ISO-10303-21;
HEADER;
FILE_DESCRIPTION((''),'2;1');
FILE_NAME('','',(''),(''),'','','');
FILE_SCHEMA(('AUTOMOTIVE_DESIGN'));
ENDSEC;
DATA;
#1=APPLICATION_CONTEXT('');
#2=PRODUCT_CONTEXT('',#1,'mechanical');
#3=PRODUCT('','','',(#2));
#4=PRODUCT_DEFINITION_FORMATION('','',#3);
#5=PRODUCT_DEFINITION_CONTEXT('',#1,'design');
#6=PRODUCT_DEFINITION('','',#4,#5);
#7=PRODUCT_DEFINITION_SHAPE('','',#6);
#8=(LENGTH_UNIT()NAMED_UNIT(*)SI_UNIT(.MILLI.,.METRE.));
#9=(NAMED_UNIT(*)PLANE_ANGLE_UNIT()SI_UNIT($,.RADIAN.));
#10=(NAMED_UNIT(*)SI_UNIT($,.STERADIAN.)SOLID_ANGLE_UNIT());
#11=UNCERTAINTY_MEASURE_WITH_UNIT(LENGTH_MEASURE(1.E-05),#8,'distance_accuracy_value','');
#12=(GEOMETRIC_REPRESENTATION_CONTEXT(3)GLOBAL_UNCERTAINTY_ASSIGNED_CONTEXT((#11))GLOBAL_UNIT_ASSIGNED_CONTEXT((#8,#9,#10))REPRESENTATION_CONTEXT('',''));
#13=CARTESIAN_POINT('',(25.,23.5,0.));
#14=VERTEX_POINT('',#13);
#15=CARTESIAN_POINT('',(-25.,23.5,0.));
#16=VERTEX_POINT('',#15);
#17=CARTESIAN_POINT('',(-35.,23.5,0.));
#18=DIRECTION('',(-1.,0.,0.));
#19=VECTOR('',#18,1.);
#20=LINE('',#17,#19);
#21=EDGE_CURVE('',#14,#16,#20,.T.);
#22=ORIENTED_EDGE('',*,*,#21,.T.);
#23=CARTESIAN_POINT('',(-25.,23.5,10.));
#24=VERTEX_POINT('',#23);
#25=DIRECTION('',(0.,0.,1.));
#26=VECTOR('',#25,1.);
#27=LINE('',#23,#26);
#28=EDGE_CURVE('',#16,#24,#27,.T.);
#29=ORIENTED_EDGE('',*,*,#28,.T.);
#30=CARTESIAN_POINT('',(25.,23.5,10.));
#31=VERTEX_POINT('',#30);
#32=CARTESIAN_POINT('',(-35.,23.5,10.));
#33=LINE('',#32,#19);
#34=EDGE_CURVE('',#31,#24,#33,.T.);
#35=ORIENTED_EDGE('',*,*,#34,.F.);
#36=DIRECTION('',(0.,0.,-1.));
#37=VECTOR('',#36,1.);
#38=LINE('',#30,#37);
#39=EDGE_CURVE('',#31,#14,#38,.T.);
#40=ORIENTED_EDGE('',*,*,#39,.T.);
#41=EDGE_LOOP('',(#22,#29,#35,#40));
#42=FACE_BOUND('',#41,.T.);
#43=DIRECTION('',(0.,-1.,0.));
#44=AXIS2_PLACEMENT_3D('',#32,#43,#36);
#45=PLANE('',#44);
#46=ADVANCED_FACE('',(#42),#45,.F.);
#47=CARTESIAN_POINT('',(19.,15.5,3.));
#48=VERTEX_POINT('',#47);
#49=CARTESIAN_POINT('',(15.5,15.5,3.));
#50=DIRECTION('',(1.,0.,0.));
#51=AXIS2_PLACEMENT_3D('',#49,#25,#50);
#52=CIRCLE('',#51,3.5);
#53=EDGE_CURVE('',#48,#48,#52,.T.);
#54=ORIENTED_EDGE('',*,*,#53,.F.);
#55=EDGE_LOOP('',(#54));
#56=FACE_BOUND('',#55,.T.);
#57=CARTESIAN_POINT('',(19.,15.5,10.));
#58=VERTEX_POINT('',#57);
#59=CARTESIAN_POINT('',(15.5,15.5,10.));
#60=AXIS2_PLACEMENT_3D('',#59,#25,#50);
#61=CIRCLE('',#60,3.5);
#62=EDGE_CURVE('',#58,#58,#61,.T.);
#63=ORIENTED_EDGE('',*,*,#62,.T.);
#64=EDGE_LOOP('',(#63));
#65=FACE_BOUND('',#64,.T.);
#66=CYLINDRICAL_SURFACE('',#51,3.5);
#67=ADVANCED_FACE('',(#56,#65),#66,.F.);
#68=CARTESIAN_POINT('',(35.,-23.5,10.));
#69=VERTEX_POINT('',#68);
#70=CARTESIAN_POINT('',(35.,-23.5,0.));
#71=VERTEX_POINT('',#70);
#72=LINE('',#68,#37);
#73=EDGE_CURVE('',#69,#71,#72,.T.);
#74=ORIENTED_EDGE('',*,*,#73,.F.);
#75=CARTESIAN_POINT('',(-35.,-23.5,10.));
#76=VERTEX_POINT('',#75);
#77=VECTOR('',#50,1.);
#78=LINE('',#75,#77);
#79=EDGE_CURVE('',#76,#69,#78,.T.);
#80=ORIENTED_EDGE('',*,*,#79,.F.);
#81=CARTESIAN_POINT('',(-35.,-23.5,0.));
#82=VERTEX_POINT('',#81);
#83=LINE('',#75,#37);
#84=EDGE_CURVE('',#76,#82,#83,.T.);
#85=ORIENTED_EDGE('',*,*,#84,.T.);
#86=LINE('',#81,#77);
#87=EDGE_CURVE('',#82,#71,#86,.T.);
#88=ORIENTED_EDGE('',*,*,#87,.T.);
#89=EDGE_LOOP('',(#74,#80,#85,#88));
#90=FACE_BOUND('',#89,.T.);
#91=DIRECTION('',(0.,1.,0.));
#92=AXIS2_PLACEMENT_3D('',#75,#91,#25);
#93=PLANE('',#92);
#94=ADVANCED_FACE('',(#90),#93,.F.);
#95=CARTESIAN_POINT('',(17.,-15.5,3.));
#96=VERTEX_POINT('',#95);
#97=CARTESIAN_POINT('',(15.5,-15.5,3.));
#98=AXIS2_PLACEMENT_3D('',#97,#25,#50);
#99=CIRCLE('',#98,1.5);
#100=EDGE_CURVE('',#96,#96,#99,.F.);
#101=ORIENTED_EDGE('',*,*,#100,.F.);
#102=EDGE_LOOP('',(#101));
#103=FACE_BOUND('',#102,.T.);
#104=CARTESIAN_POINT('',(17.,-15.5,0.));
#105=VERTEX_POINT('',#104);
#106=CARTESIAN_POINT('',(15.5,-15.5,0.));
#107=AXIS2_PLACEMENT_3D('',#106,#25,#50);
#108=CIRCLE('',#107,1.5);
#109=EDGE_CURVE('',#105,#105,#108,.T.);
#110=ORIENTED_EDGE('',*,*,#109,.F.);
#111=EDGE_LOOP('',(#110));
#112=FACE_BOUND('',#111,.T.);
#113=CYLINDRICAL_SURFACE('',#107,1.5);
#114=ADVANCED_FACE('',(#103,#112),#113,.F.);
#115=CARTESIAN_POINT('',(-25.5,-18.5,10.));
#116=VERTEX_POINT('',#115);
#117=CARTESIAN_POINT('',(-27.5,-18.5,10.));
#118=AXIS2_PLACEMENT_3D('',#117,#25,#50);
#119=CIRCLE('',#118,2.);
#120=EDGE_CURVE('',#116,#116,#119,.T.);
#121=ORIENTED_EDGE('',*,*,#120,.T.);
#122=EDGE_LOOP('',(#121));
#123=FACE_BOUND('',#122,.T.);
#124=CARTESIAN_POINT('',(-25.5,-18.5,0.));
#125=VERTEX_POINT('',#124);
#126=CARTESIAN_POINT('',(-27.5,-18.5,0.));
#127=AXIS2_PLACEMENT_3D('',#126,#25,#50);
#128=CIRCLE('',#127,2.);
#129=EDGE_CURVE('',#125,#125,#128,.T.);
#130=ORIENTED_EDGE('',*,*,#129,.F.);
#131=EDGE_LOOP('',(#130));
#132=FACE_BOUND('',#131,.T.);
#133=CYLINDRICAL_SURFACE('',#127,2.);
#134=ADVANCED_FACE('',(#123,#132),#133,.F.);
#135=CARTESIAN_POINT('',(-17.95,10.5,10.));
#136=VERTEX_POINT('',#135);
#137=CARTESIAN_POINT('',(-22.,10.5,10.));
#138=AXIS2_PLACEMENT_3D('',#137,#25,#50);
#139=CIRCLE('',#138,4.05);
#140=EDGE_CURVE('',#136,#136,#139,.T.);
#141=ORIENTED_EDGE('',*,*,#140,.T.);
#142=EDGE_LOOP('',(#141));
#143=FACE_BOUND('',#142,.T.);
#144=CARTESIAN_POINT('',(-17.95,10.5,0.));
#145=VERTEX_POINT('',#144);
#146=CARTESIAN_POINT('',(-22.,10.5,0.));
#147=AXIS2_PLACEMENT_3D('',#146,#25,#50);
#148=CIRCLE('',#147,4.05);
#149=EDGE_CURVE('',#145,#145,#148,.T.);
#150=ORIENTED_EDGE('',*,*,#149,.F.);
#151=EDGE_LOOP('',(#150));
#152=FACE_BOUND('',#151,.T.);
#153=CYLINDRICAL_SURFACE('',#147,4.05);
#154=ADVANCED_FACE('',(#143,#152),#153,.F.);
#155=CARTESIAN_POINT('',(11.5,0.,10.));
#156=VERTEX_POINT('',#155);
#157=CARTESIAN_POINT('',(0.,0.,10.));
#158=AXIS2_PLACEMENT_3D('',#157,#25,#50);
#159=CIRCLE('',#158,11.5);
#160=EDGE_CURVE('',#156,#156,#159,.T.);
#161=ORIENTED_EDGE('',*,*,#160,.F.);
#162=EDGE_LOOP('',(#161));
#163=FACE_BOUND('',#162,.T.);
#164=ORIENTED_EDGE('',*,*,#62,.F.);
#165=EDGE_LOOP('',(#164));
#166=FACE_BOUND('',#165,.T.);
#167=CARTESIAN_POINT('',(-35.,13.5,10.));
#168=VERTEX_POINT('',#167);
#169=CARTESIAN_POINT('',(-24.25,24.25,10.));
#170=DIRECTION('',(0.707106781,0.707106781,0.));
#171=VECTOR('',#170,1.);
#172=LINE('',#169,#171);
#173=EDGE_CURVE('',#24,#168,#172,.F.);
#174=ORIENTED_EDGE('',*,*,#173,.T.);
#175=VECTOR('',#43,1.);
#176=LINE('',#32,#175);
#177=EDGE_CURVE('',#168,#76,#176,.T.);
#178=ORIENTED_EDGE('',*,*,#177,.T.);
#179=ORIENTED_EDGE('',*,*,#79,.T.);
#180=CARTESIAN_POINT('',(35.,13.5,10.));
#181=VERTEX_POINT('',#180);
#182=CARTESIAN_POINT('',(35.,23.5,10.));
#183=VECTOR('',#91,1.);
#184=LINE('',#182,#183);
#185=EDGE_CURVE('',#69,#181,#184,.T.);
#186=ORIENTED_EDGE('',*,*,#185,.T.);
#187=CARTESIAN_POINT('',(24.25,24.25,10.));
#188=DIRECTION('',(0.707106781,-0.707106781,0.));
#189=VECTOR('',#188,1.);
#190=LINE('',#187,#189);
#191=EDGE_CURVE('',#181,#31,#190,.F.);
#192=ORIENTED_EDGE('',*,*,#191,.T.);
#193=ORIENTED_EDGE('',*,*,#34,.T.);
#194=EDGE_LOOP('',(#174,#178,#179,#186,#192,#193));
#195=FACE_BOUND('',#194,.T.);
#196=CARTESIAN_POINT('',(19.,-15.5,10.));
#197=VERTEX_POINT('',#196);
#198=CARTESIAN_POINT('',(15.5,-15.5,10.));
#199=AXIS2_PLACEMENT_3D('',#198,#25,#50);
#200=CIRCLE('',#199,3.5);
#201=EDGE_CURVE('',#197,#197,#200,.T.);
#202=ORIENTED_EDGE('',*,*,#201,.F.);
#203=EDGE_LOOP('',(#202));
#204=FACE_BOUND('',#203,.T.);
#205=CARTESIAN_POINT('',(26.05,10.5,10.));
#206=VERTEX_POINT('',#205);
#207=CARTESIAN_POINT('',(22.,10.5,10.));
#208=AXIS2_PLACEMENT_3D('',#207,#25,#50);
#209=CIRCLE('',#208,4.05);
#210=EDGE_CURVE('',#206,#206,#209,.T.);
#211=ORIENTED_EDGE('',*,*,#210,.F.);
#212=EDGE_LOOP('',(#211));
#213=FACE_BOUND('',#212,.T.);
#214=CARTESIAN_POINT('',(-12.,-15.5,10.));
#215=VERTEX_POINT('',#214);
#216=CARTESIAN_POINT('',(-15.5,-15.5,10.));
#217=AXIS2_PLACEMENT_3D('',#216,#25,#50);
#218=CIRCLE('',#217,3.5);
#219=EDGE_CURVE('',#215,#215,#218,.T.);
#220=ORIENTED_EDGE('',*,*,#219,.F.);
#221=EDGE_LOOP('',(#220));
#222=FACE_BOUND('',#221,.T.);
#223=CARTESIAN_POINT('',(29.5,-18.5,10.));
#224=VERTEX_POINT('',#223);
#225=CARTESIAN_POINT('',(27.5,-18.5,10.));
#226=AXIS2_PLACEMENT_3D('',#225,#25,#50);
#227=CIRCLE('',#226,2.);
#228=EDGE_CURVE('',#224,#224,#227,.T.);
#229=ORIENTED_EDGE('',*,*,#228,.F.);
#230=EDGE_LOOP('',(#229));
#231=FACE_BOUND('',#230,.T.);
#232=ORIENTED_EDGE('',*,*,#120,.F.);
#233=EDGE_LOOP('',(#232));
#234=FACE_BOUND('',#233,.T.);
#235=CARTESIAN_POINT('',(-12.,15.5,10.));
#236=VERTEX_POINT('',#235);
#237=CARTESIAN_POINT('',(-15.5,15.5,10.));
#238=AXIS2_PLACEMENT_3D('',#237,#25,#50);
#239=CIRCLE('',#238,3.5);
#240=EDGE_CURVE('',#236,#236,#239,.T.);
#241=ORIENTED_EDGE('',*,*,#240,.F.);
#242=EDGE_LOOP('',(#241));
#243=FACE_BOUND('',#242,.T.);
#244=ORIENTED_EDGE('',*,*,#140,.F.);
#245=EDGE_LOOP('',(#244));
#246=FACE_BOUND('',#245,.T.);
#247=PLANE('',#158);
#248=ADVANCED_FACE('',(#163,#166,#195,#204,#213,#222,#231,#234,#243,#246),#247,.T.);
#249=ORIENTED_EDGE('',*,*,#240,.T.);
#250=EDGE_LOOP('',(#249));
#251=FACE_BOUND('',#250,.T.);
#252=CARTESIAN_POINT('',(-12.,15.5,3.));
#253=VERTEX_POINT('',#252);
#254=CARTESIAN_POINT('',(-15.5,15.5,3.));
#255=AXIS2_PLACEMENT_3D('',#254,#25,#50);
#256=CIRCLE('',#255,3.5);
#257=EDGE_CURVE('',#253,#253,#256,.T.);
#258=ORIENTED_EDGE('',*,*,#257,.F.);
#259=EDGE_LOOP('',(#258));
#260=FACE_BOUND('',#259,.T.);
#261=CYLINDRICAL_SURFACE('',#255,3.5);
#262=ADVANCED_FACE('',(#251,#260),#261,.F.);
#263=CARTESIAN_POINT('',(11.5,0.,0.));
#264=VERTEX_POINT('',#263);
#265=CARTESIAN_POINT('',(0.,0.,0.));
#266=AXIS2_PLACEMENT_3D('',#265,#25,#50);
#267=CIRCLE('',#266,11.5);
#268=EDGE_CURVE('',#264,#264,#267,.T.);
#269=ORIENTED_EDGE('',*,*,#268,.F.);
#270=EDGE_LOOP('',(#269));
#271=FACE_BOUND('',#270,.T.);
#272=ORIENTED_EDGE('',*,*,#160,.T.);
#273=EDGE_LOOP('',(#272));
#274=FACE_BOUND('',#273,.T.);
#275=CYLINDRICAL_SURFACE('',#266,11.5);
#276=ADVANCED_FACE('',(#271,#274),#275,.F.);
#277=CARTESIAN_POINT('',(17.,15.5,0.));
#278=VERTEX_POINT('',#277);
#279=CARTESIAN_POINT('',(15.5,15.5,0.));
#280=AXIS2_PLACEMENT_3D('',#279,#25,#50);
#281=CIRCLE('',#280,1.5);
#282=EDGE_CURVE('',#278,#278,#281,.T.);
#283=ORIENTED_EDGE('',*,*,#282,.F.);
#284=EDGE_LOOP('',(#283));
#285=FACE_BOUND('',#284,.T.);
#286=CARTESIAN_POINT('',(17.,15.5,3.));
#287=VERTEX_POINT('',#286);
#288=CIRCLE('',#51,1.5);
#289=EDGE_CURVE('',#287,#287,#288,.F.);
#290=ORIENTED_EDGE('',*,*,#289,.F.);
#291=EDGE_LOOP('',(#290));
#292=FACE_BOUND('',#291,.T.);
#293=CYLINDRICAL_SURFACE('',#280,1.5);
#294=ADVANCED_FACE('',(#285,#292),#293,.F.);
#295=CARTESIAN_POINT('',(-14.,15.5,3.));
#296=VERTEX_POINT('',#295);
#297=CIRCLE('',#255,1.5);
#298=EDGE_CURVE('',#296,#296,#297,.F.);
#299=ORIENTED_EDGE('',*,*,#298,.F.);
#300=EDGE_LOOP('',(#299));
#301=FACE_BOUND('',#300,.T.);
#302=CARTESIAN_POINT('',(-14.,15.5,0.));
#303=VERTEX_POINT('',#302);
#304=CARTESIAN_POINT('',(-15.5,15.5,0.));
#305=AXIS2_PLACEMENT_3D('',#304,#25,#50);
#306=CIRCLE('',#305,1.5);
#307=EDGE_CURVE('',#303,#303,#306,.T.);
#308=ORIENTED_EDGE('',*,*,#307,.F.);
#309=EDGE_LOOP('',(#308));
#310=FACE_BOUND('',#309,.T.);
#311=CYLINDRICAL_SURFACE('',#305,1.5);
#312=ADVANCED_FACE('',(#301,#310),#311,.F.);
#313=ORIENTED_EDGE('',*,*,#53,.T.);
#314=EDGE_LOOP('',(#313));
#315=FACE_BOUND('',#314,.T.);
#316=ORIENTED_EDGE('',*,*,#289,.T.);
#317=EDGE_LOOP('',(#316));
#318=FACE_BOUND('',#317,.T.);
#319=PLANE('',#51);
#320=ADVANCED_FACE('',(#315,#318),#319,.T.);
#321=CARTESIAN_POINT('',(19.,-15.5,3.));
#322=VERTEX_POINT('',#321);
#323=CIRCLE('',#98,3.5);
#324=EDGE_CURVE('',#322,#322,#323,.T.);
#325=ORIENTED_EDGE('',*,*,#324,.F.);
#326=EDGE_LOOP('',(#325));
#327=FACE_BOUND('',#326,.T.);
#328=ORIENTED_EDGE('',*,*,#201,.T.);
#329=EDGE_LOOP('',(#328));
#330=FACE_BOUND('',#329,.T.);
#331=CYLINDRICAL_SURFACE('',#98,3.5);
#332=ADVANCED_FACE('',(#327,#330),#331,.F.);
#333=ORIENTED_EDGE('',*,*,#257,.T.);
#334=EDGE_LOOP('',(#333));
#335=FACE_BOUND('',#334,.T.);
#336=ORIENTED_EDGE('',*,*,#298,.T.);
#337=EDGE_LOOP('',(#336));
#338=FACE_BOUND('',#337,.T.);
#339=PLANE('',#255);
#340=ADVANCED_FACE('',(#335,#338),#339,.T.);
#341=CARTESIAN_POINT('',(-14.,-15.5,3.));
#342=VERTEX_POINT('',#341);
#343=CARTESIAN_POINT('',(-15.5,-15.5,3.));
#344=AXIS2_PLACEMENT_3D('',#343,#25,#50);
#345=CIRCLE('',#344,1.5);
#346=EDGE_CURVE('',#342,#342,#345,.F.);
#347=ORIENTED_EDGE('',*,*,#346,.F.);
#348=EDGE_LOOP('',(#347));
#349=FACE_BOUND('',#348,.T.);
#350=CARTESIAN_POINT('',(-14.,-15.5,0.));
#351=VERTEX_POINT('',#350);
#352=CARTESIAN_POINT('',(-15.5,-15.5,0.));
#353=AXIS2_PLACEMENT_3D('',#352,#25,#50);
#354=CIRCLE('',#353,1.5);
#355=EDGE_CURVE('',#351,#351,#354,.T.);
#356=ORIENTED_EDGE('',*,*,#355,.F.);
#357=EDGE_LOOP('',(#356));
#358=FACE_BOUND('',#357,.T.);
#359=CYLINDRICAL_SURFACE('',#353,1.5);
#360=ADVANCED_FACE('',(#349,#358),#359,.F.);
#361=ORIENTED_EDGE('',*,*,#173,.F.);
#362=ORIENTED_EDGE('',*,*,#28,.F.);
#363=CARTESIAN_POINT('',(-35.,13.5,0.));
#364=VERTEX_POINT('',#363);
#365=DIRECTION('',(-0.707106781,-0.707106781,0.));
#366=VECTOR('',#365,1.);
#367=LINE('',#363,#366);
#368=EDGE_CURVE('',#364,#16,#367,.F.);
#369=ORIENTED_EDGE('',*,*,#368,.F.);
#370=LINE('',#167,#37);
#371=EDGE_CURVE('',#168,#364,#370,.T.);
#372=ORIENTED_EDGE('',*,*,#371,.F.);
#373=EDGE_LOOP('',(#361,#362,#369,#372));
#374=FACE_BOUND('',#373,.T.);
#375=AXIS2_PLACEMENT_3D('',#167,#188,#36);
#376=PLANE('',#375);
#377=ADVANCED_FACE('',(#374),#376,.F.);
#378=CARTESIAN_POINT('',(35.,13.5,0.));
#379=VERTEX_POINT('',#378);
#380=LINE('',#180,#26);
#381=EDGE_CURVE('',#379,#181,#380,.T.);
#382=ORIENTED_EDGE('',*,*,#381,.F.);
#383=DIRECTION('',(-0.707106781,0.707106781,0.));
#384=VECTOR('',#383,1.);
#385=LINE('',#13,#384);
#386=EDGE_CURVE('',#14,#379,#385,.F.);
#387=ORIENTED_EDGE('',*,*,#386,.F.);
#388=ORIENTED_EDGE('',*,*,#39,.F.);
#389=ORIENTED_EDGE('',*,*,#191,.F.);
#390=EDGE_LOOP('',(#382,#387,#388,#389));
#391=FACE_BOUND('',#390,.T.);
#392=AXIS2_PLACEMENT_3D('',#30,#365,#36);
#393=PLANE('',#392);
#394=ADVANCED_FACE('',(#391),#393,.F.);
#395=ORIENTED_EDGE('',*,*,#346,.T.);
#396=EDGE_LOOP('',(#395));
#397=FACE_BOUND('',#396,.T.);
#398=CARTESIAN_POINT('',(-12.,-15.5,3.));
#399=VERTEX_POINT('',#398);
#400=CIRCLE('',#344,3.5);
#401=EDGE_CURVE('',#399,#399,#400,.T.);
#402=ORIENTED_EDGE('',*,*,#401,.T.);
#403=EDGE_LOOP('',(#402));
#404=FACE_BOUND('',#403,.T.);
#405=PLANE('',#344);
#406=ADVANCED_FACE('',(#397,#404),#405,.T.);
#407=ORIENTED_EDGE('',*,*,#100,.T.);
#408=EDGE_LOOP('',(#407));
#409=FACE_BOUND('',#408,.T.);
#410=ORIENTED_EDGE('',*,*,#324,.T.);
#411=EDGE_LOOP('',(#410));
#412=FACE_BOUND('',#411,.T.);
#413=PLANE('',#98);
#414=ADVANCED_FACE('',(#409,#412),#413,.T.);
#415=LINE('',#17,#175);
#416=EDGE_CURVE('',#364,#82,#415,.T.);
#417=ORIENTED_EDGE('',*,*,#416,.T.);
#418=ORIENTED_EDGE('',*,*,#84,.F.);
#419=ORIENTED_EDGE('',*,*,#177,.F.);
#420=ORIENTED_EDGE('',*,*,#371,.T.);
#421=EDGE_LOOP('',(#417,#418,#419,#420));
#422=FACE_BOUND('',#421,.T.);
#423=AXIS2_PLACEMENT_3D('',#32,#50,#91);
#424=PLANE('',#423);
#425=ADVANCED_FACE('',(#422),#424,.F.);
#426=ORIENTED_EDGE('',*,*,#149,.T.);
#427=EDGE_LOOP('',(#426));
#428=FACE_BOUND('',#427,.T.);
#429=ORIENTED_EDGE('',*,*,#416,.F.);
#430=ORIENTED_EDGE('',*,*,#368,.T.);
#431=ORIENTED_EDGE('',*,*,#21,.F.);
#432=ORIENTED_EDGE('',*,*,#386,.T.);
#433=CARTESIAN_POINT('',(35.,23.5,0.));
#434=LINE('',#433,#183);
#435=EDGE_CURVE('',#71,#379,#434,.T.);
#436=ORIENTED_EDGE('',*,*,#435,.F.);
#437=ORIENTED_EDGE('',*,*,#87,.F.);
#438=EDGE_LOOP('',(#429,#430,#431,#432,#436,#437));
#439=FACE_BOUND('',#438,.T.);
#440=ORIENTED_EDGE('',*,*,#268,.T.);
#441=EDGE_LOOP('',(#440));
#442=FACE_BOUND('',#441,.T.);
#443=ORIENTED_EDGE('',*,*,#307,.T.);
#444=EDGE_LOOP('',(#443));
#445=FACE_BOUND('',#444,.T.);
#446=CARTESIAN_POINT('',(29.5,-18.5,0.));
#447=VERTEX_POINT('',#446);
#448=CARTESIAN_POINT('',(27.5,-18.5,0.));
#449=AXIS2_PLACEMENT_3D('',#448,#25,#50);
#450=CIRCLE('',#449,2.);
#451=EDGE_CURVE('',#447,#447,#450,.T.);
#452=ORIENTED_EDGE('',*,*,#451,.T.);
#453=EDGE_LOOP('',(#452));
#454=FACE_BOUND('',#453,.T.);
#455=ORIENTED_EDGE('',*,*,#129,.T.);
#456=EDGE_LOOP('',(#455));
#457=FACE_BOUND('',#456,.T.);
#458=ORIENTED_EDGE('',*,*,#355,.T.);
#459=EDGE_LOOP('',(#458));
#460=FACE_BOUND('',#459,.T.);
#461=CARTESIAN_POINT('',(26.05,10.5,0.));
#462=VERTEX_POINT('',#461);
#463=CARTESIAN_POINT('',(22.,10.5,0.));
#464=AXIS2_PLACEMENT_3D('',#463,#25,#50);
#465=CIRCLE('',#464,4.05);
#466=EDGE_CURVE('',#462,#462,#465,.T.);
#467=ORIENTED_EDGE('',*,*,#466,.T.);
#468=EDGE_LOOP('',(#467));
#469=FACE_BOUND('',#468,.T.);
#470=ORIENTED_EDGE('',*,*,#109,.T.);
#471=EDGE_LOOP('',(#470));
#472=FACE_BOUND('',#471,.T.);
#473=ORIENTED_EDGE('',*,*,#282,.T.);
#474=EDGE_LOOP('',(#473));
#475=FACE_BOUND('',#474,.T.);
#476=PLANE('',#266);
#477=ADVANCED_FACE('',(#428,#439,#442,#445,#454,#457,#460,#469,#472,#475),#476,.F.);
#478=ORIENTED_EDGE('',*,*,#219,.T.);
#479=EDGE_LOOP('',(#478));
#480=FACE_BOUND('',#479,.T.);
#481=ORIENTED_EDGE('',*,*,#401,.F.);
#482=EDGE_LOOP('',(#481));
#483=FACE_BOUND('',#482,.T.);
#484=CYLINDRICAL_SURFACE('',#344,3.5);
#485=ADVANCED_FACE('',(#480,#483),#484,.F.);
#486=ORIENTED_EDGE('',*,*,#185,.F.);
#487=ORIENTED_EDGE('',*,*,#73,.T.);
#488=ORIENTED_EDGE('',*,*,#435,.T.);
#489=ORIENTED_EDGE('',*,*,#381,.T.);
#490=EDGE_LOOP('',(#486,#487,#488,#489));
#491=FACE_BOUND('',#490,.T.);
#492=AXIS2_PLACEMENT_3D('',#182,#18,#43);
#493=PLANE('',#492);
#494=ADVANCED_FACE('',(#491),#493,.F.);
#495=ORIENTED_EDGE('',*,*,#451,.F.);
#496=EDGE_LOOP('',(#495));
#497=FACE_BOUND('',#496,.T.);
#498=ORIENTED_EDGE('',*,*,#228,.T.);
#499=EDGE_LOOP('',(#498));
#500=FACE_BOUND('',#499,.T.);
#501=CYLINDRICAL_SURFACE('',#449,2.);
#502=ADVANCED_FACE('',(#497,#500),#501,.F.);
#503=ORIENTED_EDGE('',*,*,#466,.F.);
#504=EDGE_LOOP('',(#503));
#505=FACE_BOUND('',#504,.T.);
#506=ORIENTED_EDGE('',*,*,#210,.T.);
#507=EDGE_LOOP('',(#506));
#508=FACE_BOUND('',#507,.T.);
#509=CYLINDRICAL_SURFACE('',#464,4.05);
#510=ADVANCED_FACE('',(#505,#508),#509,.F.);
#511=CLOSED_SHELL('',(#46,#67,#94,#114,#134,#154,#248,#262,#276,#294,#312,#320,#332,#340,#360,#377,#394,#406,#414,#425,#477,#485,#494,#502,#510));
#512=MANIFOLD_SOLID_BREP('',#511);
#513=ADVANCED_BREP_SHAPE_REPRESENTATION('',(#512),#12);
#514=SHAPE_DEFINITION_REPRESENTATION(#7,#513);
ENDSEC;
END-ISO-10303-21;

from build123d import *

# Parameters (mm, degrees)
SKETCH1_W           = 70
SKETCH1_H           = 47
BOSS_EXTRUDE1_DEPTH = 10
SKETCH2_R           = 11.5
CUT_EXTRUDE1_DEPTH  = 10
SKETCH3_R           = 1.5
CUT_EXTRUDE2_DEPTH  = 10
SKETCH4_R           = 4.05
CUT_EXTRUDE3_DEPTH  = 10
SKETCH6_R           = 2
CUT_EXTRUDE5_DEPTH  = 10
SKETCH7_R           = 3.5
CUT_EXTRUDE6_DEPTH  = 7
CHAMFER1_SIZE       = 10


with BuildPart() as part:
    # Sketch1 → Boss-Extrude1 (new body)
    with BuildSketch(Plane.XY):
        Rectangle(SKETCH1_W, SKETCH1_H)
    extrude(amount=BOSS_EXTRUDE1_DEPTH)

    # Sketch2 → Cut-Extrude1 (cut)
    with BuildSketch(Plane.XY.offset(10)):
        Circle(SKETCH2_R)
    extrude(amount=-CUT_EXTRUDE1_DEPTH, mode=Mode.SUBTRACT)

    # Sketch3 → Cut-Extrude2 (cut)
    with BuildSketch(Plane.XY.offset(10)):
        with Locations((-15.5, 15.5)):
            Circle(SKETCH3_R)
        with Locations((15.5, 15.5)):
            Circle(SKETCH3_R)
        with Locations((15.5, -15.5)):
            Circle(SKETCH3_R)
        with Locations((-15.5, -15.5)):
            Circle(SKETCH3_R)
    extrude(amount=-CUT_EXTRUDE2_DEPTH, mode=Mode.SUBTRACT)

    # Sketch4 → Cut-Extrude3 (cut)
    with BuildSketch(Plane.XY.offset(10)):
        with Locations((-22, 10.5)):
            Circle(SKETCH4_R)
        with Locations((22, 10.5)):
            Circle(SKETCH4_R)
    extrude(amount=-CUT_EXTRUDE3_DEPTH, mode=Mode.SUBTRACT)

    # Sketch6 → Cut-Extrude5 (cut)
    with BuildSketch(Plane.XY.offset(10)):
        with Locations((-27.5, -18.5)):
            Circle(SKETCH6_R)
        with Locations((27.5, -18.5)):
            Circle(SKETCH6_R)
    extrude(amount=-CUT_EXTRUDE5_DEPTH, mode=Mode.SUBTRACT)

    # Sketch7 → Cut-Extrude6 (cut)
    with BuildSketch(Plane.XY.offset(10)):
        with Locations((-15.5, -15.5)):
            Circle(SKETCH7_R)
        with Locations((-15.5, 15.5)):
            Circle(SKETCH7_R)
        with Locations((15.5, 15.5)):
            Circle(SKETCH7_R)
        with Locations((15.5, -15.5)):
            Circle(SKETCH7_R)
    extrude(amount=-CUT_EXTRUDE6_DEPTH, mode=Mode.SUBTRACT)

    # Chamfer1
    chamfer1_edges = [part.edges().sort_by_distance(p)[0] for p in [
        (-35, 23.5, 5),
        (35, 23.5, 5),
    ]]
    chamfer(chamfer1_edges, length=CHAMFER1_SIZE)


solid = part.part
